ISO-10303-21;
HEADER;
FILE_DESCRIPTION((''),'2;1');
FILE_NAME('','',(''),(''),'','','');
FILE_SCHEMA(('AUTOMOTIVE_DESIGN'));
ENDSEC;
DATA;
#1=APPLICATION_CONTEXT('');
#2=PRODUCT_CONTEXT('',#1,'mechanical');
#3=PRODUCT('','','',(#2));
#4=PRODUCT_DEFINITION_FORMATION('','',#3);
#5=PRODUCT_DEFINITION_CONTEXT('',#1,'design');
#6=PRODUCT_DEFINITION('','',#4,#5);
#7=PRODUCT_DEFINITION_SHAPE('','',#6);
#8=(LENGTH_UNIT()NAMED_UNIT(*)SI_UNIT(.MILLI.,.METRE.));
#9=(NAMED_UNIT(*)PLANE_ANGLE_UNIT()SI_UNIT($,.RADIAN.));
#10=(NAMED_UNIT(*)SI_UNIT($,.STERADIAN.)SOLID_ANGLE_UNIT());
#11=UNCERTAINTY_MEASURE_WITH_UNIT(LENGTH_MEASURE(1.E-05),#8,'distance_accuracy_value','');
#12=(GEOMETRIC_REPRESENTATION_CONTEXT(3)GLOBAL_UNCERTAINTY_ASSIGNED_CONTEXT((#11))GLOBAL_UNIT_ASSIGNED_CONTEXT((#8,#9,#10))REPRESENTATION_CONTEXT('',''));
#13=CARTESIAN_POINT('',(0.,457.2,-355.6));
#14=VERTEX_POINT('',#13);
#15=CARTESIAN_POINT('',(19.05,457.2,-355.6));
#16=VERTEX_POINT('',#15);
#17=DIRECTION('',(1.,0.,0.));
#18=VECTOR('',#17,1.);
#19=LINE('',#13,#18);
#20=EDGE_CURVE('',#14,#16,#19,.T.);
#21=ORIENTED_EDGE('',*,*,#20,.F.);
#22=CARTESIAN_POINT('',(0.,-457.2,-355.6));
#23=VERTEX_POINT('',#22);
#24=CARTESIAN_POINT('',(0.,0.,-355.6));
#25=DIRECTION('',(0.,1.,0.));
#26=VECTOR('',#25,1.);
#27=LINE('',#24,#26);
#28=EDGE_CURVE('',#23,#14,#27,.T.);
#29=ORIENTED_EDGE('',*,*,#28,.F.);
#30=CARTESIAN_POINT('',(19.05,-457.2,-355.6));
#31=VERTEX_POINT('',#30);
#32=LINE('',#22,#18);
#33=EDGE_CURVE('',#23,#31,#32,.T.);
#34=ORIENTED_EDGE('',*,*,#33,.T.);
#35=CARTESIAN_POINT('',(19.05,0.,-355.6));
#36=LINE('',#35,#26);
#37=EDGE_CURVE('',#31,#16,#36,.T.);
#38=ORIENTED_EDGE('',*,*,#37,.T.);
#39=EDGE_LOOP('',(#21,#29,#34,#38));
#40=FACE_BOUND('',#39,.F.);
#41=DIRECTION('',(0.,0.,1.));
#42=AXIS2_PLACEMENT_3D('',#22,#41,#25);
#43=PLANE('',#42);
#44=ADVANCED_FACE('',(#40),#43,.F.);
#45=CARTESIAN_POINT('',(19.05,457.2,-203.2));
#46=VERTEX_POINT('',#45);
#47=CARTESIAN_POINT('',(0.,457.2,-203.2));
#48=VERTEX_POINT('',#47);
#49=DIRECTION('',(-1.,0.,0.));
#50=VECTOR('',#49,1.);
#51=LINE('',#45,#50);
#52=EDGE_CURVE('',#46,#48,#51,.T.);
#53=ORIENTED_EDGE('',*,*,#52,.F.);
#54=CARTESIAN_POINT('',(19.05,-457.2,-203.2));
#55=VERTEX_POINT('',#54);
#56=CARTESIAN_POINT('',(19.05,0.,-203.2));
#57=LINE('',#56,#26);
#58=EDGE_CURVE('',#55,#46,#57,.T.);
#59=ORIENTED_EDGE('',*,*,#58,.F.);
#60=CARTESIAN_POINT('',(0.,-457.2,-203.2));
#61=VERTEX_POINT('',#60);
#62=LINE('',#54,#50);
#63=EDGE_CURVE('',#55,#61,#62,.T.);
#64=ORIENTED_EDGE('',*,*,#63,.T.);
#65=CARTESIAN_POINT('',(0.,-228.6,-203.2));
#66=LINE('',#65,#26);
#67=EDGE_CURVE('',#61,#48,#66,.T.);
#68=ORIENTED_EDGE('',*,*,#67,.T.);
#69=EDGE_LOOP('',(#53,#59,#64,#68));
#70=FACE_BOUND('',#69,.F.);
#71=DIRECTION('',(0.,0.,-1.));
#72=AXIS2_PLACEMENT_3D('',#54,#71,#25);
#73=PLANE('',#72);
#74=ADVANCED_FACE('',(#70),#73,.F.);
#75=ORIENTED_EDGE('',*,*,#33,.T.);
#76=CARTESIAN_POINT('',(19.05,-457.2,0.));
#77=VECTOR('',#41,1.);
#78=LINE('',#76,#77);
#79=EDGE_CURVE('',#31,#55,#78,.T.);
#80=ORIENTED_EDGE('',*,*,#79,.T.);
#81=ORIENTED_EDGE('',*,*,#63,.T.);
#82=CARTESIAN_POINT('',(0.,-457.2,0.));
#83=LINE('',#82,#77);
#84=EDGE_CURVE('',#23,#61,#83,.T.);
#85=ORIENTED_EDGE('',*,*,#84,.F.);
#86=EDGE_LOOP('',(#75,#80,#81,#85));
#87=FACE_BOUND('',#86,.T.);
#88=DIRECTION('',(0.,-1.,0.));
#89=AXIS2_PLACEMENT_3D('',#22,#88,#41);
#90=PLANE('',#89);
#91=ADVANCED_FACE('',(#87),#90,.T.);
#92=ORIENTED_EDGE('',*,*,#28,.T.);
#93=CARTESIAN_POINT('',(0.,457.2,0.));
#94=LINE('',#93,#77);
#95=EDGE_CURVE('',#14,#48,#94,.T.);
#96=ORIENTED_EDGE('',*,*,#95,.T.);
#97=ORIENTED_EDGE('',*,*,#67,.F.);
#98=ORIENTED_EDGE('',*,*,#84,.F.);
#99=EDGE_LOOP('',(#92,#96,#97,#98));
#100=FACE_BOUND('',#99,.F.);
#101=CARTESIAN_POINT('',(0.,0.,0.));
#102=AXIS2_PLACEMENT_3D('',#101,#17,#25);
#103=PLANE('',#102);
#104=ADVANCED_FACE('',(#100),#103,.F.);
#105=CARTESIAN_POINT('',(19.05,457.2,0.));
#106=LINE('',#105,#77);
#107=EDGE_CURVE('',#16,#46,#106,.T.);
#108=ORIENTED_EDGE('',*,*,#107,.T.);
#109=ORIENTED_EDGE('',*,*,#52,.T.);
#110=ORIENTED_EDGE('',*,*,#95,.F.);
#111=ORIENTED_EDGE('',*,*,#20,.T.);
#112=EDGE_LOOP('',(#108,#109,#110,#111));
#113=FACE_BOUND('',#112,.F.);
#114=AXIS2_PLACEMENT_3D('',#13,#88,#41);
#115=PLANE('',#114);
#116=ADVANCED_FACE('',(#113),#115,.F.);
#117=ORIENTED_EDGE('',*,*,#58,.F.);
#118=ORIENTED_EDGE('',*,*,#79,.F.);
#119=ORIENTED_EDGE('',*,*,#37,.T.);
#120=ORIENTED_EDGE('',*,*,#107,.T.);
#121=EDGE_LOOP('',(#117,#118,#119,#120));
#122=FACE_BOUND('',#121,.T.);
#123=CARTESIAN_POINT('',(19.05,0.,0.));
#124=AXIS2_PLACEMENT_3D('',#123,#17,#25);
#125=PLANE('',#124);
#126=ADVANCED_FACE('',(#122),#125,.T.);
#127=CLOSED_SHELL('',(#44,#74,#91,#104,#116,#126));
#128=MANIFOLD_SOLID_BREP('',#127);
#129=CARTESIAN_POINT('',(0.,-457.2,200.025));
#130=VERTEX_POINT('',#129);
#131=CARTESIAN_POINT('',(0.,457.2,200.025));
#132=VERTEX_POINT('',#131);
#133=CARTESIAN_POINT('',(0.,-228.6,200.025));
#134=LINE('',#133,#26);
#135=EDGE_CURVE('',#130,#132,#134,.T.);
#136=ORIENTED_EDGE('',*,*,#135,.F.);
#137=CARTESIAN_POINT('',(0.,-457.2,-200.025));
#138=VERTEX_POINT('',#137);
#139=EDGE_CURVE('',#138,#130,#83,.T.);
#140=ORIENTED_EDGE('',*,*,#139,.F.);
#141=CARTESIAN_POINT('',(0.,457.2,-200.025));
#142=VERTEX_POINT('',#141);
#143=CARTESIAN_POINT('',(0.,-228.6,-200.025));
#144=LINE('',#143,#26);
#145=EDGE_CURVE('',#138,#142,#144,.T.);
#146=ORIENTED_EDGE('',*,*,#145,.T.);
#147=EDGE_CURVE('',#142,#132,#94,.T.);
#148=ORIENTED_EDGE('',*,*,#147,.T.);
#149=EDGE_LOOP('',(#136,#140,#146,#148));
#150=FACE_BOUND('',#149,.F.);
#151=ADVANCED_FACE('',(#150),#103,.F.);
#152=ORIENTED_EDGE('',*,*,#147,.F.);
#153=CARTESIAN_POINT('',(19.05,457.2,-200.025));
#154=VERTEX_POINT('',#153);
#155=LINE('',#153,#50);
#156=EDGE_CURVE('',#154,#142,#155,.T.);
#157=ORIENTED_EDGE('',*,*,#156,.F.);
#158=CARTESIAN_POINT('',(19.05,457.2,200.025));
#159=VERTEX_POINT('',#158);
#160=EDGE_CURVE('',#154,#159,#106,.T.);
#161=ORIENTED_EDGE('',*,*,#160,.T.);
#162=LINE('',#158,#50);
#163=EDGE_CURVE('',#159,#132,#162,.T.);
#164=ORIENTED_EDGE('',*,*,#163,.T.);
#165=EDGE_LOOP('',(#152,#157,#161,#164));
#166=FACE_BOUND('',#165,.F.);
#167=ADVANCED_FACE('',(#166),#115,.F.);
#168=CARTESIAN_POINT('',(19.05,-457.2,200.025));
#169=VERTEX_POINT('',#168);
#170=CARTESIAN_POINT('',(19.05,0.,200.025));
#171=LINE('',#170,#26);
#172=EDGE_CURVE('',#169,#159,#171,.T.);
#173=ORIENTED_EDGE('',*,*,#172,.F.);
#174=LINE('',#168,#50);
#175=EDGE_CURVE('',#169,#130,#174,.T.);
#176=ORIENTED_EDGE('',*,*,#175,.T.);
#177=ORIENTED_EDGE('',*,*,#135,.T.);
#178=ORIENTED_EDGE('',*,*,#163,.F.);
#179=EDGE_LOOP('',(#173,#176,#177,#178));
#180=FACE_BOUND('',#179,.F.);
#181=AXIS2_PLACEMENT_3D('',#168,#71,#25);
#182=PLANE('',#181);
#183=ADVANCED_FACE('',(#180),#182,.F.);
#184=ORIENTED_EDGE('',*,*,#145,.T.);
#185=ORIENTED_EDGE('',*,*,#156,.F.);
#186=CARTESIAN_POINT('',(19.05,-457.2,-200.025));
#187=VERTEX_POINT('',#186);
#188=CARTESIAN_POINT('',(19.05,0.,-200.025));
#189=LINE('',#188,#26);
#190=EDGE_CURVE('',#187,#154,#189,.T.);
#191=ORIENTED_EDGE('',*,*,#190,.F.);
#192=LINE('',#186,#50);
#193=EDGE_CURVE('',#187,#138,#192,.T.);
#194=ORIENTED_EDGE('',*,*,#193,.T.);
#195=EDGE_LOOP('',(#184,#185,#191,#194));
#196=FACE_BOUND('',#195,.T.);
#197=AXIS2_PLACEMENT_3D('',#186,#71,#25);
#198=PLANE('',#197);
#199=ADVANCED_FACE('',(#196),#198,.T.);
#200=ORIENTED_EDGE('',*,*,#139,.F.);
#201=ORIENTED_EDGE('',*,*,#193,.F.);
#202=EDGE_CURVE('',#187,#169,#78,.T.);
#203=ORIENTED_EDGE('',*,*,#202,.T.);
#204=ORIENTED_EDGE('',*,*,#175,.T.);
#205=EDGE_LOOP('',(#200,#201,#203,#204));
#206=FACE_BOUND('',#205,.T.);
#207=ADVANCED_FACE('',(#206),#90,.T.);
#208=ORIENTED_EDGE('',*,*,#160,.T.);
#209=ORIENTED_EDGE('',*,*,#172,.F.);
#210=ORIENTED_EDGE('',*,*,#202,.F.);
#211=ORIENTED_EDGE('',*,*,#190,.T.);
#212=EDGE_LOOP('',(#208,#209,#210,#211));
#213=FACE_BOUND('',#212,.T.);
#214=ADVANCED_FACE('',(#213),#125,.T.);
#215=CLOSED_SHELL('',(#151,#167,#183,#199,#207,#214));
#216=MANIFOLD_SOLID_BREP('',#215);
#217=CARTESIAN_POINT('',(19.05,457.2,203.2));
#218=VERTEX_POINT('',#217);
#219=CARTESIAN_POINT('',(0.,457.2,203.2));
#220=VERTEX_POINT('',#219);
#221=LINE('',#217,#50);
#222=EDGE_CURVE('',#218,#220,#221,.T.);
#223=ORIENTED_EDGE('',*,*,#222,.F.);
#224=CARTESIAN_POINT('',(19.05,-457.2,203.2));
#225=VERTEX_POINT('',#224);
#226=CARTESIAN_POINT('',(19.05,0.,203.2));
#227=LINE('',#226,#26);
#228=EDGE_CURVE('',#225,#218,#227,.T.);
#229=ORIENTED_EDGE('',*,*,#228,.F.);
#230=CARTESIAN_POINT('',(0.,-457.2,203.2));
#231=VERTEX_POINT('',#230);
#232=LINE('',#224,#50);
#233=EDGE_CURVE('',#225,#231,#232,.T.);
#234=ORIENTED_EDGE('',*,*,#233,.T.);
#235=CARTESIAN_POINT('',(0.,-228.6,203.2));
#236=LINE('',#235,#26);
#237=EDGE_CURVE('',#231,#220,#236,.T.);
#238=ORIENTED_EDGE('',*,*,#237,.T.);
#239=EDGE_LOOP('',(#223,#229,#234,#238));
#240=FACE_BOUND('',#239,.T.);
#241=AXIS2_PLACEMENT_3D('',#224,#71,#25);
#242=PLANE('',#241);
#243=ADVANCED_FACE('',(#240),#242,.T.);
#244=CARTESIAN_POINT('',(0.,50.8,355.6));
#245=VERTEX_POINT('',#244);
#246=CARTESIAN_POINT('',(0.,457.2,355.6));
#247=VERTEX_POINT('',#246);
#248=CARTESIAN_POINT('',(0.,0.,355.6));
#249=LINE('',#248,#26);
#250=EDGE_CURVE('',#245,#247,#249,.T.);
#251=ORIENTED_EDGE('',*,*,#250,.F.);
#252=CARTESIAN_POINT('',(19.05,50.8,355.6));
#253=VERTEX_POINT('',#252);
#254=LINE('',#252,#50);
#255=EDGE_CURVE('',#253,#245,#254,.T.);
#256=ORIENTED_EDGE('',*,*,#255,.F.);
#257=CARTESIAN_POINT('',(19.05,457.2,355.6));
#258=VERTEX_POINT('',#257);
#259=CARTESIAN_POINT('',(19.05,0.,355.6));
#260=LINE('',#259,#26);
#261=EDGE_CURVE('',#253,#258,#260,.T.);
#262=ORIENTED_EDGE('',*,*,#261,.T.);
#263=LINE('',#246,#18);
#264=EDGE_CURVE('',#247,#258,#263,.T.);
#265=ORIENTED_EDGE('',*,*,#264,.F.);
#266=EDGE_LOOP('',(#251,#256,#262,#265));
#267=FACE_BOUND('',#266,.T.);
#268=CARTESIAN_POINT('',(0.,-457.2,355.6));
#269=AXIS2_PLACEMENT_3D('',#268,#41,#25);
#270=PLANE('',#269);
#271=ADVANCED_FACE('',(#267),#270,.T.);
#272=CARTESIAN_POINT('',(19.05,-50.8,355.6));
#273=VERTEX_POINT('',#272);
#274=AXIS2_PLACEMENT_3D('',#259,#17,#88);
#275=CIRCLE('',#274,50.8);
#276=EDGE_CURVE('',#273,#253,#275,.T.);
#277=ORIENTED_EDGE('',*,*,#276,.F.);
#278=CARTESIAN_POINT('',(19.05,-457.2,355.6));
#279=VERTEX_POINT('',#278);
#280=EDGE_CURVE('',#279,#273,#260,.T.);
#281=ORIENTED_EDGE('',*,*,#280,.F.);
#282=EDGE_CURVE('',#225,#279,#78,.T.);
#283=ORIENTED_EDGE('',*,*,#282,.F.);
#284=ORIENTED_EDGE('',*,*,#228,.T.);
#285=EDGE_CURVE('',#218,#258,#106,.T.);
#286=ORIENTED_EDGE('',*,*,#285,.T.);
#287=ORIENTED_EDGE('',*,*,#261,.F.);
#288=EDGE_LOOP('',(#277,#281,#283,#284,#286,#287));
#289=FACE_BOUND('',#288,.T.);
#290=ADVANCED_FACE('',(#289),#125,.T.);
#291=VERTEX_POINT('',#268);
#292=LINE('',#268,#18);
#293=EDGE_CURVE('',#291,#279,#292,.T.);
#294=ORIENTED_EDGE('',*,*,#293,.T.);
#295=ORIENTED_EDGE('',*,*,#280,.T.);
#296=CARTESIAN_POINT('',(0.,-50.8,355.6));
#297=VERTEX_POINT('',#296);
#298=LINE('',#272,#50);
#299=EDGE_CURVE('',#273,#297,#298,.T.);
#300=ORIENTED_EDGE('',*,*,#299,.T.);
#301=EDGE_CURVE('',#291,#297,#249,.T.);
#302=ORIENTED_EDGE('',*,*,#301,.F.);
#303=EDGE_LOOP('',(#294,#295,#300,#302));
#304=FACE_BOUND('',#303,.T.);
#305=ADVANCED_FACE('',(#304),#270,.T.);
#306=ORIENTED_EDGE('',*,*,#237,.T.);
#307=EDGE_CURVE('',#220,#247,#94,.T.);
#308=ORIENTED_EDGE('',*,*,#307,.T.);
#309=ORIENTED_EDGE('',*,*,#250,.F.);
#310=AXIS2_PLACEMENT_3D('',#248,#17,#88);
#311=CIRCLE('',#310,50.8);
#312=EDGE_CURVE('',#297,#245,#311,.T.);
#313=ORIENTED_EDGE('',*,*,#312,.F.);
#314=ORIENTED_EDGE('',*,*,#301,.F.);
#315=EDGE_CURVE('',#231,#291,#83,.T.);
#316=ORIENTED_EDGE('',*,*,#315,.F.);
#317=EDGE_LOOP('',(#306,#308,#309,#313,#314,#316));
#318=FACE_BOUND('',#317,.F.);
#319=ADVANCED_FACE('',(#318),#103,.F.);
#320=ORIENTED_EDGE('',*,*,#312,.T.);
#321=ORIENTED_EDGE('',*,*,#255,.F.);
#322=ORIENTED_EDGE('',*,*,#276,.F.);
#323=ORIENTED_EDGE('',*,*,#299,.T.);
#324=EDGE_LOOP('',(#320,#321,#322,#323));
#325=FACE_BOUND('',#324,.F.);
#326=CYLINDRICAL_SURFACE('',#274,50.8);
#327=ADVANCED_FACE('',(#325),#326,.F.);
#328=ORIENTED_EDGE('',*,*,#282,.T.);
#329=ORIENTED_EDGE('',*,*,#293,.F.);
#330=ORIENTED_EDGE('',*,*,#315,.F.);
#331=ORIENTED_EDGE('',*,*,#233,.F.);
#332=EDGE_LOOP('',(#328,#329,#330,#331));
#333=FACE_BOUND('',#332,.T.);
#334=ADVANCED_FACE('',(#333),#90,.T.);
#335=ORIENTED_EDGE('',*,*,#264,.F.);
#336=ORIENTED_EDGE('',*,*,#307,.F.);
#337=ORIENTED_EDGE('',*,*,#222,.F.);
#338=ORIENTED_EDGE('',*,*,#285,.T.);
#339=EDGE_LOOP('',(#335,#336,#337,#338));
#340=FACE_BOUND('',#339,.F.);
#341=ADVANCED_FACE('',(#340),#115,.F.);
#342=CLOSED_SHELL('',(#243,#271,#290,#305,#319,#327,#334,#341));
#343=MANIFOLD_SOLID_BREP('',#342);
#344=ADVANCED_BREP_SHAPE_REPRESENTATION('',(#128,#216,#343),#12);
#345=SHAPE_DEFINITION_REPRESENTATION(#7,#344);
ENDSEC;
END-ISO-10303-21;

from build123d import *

# Parameters (mm, degrees)
F0_W     = 914.4
F0_H     = 711.2
F1_DEPTH = 19.05
F3_DEPTH = 25.4
F4_W     = 914.4
F4_H     = 3.175
F5_DEPTH = 25.4


with BuildPart() as f1:
    # F0 (on Right) → F1 (new body)
    with BuildSketch(Plane.YZ):
        Rectangle(F0_W, F0_H)
    extrude(amount=F1_DEPTH)

    # F2 (on face) → F3 (cut)
    with BuildSketch(Plane.YZ.offset(19.05)):
        with BuildLine():
            ThreePointArc((-50.8, 355.6), (0, 304.8), (50.8, 355.6))
            Line((50.8, 355.6), (-50.8, 355.6))
        make_face()
    extrude(amount=-F3_DEPTH, mode=Mode.SUBTRACT)

    # F4 (on face) → F5 (cut)
    with BuildSketch(Plane.YZ.offset(19.05)):
        with Locations((0, 201.6125)):
            Rectangle(F4_W, F4_H)
        with Locations((0, -201.6125)):
            Rectangle(F4_W, F4_H)
    extrude(amount=-F5_DEPTH, mode=Mode.SUBTRACT)


solid = f1.part
